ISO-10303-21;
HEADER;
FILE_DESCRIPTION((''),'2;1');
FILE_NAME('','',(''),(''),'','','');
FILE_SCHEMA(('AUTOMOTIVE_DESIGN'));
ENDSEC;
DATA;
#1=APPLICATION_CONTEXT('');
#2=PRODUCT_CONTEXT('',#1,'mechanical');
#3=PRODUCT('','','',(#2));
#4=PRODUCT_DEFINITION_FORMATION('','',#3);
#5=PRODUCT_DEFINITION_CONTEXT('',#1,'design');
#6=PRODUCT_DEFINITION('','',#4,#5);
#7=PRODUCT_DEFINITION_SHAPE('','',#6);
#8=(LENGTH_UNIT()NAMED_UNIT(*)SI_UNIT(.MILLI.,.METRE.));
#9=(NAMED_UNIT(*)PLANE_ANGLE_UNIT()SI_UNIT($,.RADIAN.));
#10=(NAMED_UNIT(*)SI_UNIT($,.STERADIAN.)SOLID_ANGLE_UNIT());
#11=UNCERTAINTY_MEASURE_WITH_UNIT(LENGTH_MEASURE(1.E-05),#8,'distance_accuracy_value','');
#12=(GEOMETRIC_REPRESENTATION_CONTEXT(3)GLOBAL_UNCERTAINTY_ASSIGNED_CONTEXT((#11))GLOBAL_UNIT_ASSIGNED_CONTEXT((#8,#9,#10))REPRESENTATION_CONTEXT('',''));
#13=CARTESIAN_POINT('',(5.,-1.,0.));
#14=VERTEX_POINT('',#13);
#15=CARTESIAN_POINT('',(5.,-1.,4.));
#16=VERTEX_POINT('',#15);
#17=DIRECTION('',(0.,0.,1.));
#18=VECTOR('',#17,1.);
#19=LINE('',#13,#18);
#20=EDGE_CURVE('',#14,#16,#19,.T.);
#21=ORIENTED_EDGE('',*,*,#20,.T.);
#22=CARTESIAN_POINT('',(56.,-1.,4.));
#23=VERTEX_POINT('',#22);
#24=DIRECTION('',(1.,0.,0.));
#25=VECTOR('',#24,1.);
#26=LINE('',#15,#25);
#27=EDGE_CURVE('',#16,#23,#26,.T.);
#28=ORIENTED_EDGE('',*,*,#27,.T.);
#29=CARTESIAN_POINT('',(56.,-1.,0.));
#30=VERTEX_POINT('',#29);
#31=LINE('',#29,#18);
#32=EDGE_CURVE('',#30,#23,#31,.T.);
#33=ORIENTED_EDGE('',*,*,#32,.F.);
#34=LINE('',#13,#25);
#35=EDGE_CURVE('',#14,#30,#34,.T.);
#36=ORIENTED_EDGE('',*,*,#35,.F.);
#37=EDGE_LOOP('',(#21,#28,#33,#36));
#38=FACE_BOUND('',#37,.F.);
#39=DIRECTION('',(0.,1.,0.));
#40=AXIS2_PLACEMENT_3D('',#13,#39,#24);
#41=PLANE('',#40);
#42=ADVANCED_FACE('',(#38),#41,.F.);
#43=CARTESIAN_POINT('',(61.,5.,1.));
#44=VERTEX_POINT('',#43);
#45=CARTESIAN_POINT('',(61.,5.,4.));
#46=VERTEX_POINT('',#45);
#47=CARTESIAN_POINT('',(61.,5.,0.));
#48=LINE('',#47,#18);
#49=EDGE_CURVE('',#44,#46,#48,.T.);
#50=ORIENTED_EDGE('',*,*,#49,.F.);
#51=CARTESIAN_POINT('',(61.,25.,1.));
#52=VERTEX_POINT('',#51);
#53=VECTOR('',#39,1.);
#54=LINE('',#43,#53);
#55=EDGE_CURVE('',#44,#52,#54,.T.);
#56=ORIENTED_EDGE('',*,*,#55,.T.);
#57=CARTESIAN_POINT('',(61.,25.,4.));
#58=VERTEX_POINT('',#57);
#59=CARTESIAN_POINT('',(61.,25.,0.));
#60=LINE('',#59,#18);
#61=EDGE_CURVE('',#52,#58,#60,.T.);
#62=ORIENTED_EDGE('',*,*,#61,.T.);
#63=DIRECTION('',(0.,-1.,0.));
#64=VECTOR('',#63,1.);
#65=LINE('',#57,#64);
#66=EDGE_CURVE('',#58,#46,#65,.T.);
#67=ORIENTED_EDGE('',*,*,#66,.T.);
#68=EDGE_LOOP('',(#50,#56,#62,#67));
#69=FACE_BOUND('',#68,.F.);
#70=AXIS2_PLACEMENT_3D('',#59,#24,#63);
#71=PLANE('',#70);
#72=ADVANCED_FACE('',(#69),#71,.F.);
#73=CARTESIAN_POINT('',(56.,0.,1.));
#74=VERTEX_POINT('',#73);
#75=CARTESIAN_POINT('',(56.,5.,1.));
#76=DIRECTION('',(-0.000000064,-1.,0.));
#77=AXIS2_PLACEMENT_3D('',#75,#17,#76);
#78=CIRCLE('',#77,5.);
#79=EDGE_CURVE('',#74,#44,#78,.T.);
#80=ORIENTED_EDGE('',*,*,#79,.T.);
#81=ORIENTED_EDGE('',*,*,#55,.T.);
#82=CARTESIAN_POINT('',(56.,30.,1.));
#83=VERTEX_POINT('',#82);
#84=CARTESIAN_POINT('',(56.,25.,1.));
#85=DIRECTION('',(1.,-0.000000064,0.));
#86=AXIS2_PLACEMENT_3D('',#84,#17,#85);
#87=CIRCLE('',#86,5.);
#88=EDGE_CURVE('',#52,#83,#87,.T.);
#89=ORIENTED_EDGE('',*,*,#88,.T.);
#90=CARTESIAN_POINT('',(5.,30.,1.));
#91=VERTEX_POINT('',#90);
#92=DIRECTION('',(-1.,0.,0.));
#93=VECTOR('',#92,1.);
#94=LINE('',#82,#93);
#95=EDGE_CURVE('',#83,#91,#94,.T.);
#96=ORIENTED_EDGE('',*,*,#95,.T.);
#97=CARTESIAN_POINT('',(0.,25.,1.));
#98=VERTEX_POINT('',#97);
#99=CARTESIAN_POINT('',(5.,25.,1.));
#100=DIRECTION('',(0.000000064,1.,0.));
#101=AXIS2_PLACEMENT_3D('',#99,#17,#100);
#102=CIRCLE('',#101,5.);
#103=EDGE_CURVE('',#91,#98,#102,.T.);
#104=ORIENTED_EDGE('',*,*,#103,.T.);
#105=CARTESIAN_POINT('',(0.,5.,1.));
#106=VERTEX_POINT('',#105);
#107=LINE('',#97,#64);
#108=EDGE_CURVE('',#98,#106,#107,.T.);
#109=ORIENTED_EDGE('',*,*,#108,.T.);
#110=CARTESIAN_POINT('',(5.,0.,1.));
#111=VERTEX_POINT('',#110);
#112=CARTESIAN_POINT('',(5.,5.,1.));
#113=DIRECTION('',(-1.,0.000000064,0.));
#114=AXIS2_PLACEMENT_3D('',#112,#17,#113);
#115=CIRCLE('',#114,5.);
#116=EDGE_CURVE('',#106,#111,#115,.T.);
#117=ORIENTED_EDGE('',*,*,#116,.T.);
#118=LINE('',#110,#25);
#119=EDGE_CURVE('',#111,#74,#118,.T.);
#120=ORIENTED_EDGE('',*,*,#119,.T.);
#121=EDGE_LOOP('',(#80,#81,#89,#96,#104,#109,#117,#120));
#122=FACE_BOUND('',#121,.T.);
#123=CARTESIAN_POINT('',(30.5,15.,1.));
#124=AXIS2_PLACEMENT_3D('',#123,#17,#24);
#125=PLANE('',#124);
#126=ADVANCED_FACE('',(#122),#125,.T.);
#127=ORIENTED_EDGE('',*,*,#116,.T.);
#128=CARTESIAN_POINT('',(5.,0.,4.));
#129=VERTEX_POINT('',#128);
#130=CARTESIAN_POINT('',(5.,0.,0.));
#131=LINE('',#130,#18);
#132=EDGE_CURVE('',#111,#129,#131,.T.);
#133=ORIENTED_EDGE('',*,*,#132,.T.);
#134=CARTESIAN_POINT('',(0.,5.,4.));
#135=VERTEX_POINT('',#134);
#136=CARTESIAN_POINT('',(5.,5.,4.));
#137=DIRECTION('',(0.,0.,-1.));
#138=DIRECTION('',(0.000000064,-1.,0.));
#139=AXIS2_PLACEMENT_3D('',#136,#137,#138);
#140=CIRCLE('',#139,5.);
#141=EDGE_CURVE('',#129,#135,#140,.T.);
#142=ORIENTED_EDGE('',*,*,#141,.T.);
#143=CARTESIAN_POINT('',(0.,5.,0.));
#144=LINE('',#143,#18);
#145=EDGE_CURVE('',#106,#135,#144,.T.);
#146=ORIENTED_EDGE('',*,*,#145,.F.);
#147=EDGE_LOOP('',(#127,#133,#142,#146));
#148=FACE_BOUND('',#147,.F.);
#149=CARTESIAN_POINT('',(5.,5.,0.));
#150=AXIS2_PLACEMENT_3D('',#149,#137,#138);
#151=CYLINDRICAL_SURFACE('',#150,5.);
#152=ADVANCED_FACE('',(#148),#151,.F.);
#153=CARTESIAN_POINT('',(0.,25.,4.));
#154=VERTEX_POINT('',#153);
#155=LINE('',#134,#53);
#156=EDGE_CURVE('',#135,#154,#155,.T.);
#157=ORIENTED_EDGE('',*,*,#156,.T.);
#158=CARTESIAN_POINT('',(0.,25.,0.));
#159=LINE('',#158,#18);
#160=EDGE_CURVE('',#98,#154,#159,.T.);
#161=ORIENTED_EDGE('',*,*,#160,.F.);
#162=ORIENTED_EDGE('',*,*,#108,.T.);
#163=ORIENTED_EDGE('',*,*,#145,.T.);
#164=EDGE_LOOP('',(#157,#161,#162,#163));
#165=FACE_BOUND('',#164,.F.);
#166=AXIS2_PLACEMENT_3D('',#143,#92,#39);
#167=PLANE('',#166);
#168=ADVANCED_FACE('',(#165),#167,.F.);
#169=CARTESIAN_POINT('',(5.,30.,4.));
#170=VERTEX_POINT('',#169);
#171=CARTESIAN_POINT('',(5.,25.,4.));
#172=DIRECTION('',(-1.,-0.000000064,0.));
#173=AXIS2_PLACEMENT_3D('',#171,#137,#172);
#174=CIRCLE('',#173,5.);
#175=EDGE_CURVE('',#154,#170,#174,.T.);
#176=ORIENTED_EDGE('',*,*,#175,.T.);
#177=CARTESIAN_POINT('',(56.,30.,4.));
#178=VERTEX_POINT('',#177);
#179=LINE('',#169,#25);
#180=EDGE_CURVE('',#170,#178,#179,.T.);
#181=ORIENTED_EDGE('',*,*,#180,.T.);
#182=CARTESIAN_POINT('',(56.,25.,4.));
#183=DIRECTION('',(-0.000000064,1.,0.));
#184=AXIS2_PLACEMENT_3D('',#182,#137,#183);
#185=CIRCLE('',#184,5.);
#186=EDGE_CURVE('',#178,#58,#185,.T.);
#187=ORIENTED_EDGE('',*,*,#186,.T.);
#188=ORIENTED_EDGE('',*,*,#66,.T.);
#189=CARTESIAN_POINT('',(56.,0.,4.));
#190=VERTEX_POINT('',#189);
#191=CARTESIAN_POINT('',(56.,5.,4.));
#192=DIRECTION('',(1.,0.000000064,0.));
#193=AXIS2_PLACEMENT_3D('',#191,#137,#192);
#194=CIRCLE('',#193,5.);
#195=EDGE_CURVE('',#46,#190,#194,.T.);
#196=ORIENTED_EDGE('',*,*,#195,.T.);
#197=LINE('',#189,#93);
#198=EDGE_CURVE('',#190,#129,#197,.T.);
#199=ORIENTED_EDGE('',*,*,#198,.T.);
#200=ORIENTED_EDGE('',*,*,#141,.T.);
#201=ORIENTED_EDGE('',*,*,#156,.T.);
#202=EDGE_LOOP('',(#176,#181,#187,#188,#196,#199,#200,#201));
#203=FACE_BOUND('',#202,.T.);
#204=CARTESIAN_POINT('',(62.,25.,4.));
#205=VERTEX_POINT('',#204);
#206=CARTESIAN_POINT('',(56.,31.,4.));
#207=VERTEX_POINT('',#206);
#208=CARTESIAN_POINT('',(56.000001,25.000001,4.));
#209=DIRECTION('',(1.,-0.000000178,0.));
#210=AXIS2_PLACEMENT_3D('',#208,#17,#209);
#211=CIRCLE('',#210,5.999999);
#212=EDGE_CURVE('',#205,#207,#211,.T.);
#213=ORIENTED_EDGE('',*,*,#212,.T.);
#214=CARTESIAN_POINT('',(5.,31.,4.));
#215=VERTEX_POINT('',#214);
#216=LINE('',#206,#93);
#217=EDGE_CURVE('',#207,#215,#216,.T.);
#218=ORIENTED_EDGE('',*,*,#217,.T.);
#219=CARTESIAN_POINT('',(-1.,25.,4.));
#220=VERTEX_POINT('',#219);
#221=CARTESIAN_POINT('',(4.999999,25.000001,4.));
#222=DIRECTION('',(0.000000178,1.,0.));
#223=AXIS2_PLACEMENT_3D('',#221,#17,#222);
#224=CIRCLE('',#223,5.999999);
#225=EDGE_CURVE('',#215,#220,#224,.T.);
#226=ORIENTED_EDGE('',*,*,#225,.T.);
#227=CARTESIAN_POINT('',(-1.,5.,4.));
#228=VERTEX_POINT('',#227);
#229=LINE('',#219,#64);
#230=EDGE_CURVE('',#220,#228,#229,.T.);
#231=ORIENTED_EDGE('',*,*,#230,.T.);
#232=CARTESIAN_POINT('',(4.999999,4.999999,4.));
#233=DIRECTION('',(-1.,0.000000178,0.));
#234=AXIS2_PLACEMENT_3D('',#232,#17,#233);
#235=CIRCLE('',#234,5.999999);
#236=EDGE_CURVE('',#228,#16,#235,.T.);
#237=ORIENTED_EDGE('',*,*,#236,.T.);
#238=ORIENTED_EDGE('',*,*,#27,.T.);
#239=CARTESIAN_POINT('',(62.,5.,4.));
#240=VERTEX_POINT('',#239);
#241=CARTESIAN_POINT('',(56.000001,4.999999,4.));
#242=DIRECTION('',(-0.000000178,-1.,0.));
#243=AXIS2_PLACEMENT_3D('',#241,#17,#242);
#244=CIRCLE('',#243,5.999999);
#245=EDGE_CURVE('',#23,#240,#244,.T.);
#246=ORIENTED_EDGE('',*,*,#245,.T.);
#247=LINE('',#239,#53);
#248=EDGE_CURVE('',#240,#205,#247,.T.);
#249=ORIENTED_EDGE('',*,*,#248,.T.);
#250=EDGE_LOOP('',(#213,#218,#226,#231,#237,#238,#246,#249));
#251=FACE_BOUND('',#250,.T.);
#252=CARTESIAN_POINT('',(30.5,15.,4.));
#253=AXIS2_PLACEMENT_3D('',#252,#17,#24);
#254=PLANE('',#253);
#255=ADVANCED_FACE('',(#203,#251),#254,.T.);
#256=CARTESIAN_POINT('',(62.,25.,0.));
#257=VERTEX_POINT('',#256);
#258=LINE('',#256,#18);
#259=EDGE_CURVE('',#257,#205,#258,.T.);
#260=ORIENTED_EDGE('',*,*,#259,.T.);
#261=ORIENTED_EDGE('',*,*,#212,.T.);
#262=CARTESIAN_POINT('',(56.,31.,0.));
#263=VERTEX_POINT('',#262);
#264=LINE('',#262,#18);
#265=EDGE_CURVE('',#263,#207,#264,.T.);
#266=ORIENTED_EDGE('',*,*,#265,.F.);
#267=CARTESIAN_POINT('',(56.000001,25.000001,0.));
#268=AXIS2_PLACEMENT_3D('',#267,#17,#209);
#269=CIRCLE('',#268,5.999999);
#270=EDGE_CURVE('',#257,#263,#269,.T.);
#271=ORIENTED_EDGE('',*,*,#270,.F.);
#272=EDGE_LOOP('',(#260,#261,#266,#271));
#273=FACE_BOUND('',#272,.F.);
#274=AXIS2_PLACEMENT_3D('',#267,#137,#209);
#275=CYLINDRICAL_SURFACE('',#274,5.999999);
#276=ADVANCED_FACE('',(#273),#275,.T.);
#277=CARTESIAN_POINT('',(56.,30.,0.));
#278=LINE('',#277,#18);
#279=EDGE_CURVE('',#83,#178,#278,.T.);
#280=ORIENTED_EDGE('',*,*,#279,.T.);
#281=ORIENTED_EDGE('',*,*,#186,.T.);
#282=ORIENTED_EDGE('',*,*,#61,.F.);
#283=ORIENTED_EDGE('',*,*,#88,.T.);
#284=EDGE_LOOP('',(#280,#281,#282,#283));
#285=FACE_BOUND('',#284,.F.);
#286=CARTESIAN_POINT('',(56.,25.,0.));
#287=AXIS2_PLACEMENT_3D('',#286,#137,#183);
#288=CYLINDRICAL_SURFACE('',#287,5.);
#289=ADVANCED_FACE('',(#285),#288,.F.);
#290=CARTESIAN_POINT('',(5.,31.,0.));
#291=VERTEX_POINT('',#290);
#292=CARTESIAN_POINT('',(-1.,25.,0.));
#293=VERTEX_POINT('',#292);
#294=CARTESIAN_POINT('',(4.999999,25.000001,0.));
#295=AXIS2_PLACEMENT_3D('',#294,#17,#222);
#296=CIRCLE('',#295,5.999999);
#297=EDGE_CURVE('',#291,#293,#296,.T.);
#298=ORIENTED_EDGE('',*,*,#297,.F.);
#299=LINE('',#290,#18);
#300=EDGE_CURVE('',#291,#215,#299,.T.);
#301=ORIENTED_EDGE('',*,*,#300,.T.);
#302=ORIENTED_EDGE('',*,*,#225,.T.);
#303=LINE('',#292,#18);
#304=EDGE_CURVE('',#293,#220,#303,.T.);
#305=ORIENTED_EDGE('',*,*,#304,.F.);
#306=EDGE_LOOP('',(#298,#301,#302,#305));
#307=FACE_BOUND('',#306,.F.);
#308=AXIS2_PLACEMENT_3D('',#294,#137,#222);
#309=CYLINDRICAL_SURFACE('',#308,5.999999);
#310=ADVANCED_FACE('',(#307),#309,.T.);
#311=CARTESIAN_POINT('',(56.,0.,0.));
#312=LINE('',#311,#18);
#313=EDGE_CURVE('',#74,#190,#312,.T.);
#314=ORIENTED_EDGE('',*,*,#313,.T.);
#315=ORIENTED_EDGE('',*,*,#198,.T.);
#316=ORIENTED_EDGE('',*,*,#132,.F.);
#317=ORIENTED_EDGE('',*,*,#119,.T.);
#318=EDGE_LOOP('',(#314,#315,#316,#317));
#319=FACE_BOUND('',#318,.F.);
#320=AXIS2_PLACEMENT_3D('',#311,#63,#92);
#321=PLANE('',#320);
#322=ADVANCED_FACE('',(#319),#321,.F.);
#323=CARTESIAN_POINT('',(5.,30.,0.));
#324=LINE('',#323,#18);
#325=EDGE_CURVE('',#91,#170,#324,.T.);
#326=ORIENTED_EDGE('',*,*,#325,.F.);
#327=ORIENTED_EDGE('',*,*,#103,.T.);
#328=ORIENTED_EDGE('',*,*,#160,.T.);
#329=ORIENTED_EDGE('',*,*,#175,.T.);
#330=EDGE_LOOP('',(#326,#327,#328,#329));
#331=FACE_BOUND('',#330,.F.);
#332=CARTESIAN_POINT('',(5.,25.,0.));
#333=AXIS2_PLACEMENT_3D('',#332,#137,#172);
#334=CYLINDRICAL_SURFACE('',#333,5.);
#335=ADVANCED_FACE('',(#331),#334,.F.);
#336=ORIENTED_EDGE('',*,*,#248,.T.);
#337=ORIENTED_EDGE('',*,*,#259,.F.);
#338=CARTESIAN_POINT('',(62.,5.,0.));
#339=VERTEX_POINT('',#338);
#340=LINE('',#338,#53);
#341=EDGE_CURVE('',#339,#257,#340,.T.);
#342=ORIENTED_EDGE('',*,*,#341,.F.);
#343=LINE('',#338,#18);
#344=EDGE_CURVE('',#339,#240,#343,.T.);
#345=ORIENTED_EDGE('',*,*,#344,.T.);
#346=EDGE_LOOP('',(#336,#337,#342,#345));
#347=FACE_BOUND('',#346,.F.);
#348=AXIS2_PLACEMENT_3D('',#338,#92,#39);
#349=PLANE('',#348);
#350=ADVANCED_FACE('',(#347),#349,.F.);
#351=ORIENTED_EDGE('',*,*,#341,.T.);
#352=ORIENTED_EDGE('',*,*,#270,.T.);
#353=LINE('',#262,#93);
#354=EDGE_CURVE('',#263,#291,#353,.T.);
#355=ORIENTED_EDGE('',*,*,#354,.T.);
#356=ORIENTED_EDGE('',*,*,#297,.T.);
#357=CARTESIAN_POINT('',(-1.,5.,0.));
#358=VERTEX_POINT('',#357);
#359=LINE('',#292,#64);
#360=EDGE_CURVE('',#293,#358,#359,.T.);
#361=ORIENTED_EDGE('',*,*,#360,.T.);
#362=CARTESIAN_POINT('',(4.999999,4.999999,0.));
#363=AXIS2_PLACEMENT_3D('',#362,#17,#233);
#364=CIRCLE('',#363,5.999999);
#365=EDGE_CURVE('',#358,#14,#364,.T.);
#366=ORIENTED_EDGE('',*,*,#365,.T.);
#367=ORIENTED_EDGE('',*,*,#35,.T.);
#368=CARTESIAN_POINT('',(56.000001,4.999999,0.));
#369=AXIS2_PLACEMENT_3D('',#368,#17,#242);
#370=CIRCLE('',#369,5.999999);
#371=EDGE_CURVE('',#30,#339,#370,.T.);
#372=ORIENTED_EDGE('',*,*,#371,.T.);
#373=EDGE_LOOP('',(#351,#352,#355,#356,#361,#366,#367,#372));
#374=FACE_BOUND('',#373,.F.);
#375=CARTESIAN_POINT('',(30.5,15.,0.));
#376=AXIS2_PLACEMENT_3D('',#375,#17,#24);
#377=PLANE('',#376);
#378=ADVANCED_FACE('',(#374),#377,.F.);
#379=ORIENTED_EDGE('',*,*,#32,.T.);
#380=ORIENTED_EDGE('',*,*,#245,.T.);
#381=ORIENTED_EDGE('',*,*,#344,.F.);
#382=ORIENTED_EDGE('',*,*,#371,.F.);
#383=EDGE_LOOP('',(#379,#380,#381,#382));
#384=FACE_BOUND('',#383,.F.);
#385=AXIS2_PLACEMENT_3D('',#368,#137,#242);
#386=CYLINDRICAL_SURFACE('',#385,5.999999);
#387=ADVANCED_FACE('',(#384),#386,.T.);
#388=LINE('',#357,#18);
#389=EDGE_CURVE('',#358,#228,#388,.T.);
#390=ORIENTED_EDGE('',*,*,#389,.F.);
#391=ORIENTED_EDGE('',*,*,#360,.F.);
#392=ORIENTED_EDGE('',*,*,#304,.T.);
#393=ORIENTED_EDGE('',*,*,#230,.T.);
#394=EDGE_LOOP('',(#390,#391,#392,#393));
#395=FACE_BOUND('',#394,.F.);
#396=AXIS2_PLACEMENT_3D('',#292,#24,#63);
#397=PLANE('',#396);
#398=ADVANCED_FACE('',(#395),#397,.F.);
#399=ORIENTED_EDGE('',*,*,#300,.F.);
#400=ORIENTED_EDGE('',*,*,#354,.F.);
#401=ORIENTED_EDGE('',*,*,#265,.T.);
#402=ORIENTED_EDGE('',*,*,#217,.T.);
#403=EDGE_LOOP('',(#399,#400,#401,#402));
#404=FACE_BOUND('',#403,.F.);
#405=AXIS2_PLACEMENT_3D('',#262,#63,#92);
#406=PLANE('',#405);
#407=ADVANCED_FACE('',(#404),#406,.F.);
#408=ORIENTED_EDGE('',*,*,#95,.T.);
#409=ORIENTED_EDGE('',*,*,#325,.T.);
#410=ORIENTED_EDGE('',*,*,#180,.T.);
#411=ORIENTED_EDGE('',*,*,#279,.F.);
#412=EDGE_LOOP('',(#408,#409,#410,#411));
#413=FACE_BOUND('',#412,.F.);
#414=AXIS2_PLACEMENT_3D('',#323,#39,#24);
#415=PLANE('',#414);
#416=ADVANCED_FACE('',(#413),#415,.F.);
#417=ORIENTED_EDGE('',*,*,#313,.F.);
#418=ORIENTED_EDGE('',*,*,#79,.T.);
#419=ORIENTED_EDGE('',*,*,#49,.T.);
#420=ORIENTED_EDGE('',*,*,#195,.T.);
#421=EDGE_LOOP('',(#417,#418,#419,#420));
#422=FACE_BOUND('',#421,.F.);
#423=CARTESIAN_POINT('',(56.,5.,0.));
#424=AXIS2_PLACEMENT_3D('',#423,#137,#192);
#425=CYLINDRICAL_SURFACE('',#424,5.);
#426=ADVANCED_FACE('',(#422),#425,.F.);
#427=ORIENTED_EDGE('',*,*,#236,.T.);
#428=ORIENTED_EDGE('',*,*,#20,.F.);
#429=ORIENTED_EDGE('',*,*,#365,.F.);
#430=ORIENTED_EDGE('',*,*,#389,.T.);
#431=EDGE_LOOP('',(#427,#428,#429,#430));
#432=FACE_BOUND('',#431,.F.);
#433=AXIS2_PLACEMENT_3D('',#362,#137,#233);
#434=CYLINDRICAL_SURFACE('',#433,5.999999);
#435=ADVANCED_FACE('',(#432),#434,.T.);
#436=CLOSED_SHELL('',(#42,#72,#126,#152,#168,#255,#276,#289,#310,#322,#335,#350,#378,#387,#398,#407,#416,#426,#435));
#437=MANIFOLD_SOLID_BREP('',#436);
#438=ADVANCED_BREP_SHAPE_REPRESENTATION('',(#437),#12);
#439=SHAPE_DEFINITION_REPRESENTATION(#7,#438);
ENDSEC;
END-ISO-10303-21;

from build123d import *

# Parameters (mm, degrees)
F1_DEPTH = 1
F2_DEPTH = 4


with BuildPart() as f1:
    # F0 (on Top) → F1 (new body)
    with BuildSketch(Plane.XY):
        with BuildLine():
            ThreePointArc((0, 5), (1.464466, 1.464466), (5, 0))
            Line((5, 0), (56, 0))
            ThreePointArc((56, 0), (59.535534, 1.464466), (61, 5))
            Line((61, 5), (61, 25))
            ThreePointArc((61, 25), (59.535534, 28.535534), (56, 30))
            Line((56, 30), (5, 30))
            ThreePointArc((5, 30), (1.464466, 28.535534), (0, 25))
            Line((0, 25), (0, 5))
        make_face()
    extrude(amount=F1_DEPTH)

    # F0 (on Top) → F2 (join)
    with BuildSketch(Plane.XY):
        with BuildLine():
            ThreePointArc((56, -1), (60.242641, 0.757359), (62, 5))
            Line((62, 5), (62, 25))
            ThreePointArc((62, 25), (60.242641, 29.242641), (56, 31))
            Line((56, 31), (5, 31))
            ThreePointArc((5, 31), (0.757359, 29.242641), (-1, 25))
            Line((-1, 25), (-1, 5))
            ThreePointArc((-1, 5), (0.757359, 0.757359), (5, -1))
            Line((5, -1), (56, -1))
        make_face()
        with BuildLine():
            Line((56, 0), (5, 0))
            ThreePointArc((5, 0), (1.464466, 1.464466), (0, 5))
            Line((0, 5), (0, 25))
            ThreePointArc((0, 25), (1.464466, 28.535534), (5, 30))
            Line((5, 30), (56, 30))
            ThreePointArc((56, 30), (59.535534, 28.535534), (61, 25))
            Line((61, 25), (61, 5))
            ThreePointArc((61, 5), (59.535534, 1.464466), (56, 0))
        make_face(mode=Mode.SUBTRACT)
    extrude(amount=F2_DEPTH)


solid = f1.part
